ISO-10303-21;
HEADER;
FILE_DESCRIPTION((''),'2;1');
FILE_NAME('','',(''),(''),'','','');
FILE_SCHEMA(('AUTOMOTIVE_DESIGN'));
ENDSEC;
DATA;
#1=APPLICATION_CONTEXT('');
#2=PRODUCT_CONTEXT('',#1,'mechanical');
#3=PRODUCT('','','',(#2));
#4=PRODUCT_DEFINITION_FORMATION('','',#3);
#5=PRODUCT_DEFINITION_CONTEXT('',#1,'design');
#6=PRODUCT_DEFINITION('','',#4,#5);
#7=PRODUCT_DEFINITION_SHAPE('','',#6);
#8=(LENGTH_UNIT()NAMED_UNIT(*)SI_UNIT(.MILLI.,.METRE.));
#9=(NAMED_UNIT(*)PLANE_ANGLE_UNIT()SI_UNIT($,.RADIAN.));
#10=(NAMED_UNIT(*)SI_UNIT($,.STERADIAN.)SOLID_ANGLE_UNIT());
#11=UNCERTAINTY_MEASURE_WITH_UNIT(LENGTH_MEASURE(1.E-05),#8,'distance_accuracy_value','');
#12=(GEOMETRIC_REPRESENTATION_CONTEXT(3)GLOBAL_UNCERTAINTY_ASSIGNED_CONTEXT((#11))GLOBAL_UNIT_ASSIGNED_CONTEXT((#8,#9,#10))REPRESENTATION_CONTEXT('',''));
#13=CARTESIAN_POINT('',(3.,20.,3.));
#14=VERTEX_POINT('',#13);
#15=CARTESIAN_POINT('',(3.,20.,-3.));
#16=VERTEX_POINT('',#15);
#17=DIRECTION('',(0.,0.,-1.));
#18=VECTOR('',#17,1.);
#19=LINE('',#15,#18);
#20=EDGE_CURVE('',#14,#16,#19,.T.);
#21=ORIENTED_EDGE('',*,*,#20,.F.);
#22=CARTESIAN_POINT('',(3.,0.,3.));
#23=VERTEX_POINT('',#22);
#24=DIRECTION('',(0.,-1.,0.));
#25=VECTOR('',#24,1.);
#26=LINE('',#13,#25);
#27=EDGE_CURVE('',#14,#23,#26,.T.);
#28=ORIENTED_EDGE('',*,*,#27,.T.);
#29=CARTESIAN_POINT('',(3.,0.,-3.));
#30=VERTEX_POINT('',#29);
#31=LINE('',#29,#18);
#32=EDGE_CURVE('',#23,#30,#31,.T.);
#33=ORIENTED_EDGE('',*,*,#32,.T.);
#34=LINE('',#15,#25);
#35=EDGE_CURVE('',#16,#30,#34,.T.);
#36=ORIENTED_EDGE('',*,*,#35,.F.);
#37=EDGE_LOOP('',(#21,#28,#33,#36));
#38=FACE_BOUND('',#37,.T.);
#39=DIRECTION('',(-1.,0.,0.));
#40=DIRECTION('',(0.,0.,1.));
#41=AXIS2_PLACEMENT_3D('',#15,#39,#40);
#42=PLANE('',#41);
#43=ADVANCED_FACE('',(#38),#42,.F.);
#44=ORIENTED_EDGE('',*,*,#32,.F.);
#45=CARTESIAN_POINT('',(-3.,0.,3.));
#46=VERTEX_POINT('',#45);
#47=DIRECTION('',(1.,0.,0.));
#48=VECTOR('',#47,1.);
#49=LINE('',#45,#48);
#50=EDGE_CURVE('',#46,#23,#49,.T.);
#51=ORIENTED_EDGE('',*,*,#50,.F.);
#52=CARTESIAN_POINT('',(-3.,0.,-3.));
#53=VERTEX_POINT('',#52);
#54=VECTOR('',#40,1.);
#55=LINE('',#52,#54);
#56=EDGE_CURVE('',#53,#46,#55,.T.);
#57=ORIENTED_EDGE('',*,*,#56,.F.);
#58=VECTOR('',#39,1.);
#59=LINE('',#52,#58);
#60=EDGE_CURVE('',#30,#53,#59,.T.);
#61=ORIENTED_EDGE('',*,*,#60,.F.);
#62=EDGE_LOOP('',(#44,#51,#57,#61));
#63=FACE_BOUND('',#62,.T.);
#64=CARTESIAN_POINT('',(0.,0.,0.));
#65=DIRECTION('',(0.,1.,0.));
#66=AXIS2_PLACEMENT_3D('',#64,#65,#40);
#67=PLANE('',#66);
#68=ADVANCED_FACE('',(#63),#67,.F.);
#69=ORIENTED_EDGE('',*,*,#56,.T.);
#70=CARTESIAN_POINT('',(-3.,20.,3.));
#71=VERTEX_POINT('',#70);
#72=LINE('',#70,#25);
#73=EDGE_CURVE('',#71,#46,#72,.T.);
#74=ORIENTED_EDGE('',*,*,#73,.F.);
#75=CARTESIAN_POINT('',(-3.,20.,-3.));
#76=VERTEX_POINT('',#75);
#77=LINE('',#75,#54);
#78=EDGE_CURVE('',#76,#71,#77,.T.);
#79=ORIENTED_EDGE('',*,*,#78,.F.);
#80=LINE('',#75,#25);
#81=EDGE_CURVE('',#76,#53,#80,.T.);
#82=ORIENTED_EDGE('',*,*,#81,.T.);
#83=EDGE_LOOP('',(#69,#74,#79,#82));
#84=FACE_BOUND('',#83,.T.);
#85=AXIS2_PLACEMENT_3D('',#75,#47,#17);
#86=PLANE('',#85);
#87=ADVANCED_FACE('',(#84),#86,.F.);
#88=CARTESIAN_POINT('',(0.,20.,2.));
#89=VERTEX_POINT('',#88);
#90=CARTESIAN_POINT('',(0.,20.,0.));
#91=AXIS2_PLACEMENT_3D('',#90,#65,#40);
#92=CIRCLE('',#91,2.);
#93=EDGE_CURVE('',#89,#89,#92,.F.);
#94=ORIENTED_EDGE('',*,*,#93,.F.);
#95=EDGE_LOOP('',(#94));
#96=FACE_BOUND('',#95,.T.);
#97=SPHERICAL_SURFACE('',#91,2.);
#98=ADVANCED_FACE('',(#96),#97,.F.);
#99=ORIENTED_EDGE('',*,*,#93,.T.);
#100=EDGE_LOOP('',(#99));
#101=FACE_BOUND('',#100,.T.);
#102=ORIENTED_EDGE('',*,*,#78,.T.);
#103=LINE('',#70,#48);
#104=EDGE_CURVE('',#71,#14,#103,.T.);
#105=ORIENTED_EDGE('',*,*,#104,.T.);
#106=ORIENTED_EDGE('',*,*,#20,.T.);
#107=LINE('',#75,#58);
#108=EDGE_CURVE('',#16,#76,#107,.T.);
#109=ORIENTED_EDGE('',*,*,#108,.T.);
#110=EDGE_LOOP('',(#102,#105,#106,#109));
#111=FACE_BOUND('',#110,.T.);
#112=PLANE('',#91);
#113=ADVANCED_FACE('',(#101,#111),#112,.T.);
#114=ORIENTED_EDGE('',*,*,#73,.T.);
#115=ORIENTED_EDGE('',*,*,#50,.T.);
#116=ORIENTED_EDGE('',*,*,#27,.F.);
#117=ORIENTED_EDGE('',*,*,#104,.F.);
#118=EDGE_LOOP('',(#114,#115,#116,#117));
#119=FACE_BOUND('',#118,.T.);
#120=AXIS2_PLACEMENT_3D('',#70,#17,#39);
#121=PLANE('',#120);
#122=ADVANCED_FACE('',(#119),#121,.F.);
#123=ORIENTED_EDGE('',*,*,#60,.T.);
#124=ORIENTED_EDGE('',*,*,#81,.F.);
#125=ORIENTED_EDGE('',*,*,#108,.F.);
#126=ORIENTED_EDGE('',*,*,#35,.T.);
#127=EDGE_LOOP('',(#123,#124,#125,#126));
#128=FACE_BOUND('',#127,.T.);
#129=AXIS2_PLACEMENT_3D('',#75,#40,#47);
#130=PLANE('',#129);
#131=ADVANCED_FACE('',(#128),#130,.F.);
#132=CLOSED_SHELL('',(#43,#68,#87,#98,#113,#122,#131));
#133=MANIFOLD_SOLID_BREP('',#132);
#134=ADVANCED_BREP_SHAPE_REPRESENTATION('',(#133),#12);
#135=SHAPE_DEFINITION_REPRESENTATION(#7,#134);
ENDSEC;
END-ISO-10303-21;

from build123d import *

# Parameters (mm, degrees)
SKETCH1_W           = 6
SKETCH1_H           = 6
BOSS_EXTRUDE1_DEPTH = 20


with BuildPart() as part:
    # Sketch1 → Boss-Extrude1 (new body)
    with BuildSketch(Plane(origin=(0, 0, 0), x_dir=(1, 0, 0), z_dir=(0, 1, 0))):
        Rectangle(SKETCH1_W, SKETCH1_H)
    extrude(amount=BOSS_EXTRUDE1_DEPTH)

    # Sketch3 → Cut-Revolve1 (revolve, cut)
    with BuildSketch(Plane(origin=(0, 20, 0), x_dir=(1, 0, 0), z_dir=(0, 1, 0))):
        with BuildLine():
            Line((-2, 0), (2, 0))
            ThreePointArc((2, 0), (0, 2), (-2, 0))
        make_face()
    revolve(axis=Axis((-2, 20, 0), (1, 0, 0)), mode=Mode.SUBTRACT)


solid = part.part
